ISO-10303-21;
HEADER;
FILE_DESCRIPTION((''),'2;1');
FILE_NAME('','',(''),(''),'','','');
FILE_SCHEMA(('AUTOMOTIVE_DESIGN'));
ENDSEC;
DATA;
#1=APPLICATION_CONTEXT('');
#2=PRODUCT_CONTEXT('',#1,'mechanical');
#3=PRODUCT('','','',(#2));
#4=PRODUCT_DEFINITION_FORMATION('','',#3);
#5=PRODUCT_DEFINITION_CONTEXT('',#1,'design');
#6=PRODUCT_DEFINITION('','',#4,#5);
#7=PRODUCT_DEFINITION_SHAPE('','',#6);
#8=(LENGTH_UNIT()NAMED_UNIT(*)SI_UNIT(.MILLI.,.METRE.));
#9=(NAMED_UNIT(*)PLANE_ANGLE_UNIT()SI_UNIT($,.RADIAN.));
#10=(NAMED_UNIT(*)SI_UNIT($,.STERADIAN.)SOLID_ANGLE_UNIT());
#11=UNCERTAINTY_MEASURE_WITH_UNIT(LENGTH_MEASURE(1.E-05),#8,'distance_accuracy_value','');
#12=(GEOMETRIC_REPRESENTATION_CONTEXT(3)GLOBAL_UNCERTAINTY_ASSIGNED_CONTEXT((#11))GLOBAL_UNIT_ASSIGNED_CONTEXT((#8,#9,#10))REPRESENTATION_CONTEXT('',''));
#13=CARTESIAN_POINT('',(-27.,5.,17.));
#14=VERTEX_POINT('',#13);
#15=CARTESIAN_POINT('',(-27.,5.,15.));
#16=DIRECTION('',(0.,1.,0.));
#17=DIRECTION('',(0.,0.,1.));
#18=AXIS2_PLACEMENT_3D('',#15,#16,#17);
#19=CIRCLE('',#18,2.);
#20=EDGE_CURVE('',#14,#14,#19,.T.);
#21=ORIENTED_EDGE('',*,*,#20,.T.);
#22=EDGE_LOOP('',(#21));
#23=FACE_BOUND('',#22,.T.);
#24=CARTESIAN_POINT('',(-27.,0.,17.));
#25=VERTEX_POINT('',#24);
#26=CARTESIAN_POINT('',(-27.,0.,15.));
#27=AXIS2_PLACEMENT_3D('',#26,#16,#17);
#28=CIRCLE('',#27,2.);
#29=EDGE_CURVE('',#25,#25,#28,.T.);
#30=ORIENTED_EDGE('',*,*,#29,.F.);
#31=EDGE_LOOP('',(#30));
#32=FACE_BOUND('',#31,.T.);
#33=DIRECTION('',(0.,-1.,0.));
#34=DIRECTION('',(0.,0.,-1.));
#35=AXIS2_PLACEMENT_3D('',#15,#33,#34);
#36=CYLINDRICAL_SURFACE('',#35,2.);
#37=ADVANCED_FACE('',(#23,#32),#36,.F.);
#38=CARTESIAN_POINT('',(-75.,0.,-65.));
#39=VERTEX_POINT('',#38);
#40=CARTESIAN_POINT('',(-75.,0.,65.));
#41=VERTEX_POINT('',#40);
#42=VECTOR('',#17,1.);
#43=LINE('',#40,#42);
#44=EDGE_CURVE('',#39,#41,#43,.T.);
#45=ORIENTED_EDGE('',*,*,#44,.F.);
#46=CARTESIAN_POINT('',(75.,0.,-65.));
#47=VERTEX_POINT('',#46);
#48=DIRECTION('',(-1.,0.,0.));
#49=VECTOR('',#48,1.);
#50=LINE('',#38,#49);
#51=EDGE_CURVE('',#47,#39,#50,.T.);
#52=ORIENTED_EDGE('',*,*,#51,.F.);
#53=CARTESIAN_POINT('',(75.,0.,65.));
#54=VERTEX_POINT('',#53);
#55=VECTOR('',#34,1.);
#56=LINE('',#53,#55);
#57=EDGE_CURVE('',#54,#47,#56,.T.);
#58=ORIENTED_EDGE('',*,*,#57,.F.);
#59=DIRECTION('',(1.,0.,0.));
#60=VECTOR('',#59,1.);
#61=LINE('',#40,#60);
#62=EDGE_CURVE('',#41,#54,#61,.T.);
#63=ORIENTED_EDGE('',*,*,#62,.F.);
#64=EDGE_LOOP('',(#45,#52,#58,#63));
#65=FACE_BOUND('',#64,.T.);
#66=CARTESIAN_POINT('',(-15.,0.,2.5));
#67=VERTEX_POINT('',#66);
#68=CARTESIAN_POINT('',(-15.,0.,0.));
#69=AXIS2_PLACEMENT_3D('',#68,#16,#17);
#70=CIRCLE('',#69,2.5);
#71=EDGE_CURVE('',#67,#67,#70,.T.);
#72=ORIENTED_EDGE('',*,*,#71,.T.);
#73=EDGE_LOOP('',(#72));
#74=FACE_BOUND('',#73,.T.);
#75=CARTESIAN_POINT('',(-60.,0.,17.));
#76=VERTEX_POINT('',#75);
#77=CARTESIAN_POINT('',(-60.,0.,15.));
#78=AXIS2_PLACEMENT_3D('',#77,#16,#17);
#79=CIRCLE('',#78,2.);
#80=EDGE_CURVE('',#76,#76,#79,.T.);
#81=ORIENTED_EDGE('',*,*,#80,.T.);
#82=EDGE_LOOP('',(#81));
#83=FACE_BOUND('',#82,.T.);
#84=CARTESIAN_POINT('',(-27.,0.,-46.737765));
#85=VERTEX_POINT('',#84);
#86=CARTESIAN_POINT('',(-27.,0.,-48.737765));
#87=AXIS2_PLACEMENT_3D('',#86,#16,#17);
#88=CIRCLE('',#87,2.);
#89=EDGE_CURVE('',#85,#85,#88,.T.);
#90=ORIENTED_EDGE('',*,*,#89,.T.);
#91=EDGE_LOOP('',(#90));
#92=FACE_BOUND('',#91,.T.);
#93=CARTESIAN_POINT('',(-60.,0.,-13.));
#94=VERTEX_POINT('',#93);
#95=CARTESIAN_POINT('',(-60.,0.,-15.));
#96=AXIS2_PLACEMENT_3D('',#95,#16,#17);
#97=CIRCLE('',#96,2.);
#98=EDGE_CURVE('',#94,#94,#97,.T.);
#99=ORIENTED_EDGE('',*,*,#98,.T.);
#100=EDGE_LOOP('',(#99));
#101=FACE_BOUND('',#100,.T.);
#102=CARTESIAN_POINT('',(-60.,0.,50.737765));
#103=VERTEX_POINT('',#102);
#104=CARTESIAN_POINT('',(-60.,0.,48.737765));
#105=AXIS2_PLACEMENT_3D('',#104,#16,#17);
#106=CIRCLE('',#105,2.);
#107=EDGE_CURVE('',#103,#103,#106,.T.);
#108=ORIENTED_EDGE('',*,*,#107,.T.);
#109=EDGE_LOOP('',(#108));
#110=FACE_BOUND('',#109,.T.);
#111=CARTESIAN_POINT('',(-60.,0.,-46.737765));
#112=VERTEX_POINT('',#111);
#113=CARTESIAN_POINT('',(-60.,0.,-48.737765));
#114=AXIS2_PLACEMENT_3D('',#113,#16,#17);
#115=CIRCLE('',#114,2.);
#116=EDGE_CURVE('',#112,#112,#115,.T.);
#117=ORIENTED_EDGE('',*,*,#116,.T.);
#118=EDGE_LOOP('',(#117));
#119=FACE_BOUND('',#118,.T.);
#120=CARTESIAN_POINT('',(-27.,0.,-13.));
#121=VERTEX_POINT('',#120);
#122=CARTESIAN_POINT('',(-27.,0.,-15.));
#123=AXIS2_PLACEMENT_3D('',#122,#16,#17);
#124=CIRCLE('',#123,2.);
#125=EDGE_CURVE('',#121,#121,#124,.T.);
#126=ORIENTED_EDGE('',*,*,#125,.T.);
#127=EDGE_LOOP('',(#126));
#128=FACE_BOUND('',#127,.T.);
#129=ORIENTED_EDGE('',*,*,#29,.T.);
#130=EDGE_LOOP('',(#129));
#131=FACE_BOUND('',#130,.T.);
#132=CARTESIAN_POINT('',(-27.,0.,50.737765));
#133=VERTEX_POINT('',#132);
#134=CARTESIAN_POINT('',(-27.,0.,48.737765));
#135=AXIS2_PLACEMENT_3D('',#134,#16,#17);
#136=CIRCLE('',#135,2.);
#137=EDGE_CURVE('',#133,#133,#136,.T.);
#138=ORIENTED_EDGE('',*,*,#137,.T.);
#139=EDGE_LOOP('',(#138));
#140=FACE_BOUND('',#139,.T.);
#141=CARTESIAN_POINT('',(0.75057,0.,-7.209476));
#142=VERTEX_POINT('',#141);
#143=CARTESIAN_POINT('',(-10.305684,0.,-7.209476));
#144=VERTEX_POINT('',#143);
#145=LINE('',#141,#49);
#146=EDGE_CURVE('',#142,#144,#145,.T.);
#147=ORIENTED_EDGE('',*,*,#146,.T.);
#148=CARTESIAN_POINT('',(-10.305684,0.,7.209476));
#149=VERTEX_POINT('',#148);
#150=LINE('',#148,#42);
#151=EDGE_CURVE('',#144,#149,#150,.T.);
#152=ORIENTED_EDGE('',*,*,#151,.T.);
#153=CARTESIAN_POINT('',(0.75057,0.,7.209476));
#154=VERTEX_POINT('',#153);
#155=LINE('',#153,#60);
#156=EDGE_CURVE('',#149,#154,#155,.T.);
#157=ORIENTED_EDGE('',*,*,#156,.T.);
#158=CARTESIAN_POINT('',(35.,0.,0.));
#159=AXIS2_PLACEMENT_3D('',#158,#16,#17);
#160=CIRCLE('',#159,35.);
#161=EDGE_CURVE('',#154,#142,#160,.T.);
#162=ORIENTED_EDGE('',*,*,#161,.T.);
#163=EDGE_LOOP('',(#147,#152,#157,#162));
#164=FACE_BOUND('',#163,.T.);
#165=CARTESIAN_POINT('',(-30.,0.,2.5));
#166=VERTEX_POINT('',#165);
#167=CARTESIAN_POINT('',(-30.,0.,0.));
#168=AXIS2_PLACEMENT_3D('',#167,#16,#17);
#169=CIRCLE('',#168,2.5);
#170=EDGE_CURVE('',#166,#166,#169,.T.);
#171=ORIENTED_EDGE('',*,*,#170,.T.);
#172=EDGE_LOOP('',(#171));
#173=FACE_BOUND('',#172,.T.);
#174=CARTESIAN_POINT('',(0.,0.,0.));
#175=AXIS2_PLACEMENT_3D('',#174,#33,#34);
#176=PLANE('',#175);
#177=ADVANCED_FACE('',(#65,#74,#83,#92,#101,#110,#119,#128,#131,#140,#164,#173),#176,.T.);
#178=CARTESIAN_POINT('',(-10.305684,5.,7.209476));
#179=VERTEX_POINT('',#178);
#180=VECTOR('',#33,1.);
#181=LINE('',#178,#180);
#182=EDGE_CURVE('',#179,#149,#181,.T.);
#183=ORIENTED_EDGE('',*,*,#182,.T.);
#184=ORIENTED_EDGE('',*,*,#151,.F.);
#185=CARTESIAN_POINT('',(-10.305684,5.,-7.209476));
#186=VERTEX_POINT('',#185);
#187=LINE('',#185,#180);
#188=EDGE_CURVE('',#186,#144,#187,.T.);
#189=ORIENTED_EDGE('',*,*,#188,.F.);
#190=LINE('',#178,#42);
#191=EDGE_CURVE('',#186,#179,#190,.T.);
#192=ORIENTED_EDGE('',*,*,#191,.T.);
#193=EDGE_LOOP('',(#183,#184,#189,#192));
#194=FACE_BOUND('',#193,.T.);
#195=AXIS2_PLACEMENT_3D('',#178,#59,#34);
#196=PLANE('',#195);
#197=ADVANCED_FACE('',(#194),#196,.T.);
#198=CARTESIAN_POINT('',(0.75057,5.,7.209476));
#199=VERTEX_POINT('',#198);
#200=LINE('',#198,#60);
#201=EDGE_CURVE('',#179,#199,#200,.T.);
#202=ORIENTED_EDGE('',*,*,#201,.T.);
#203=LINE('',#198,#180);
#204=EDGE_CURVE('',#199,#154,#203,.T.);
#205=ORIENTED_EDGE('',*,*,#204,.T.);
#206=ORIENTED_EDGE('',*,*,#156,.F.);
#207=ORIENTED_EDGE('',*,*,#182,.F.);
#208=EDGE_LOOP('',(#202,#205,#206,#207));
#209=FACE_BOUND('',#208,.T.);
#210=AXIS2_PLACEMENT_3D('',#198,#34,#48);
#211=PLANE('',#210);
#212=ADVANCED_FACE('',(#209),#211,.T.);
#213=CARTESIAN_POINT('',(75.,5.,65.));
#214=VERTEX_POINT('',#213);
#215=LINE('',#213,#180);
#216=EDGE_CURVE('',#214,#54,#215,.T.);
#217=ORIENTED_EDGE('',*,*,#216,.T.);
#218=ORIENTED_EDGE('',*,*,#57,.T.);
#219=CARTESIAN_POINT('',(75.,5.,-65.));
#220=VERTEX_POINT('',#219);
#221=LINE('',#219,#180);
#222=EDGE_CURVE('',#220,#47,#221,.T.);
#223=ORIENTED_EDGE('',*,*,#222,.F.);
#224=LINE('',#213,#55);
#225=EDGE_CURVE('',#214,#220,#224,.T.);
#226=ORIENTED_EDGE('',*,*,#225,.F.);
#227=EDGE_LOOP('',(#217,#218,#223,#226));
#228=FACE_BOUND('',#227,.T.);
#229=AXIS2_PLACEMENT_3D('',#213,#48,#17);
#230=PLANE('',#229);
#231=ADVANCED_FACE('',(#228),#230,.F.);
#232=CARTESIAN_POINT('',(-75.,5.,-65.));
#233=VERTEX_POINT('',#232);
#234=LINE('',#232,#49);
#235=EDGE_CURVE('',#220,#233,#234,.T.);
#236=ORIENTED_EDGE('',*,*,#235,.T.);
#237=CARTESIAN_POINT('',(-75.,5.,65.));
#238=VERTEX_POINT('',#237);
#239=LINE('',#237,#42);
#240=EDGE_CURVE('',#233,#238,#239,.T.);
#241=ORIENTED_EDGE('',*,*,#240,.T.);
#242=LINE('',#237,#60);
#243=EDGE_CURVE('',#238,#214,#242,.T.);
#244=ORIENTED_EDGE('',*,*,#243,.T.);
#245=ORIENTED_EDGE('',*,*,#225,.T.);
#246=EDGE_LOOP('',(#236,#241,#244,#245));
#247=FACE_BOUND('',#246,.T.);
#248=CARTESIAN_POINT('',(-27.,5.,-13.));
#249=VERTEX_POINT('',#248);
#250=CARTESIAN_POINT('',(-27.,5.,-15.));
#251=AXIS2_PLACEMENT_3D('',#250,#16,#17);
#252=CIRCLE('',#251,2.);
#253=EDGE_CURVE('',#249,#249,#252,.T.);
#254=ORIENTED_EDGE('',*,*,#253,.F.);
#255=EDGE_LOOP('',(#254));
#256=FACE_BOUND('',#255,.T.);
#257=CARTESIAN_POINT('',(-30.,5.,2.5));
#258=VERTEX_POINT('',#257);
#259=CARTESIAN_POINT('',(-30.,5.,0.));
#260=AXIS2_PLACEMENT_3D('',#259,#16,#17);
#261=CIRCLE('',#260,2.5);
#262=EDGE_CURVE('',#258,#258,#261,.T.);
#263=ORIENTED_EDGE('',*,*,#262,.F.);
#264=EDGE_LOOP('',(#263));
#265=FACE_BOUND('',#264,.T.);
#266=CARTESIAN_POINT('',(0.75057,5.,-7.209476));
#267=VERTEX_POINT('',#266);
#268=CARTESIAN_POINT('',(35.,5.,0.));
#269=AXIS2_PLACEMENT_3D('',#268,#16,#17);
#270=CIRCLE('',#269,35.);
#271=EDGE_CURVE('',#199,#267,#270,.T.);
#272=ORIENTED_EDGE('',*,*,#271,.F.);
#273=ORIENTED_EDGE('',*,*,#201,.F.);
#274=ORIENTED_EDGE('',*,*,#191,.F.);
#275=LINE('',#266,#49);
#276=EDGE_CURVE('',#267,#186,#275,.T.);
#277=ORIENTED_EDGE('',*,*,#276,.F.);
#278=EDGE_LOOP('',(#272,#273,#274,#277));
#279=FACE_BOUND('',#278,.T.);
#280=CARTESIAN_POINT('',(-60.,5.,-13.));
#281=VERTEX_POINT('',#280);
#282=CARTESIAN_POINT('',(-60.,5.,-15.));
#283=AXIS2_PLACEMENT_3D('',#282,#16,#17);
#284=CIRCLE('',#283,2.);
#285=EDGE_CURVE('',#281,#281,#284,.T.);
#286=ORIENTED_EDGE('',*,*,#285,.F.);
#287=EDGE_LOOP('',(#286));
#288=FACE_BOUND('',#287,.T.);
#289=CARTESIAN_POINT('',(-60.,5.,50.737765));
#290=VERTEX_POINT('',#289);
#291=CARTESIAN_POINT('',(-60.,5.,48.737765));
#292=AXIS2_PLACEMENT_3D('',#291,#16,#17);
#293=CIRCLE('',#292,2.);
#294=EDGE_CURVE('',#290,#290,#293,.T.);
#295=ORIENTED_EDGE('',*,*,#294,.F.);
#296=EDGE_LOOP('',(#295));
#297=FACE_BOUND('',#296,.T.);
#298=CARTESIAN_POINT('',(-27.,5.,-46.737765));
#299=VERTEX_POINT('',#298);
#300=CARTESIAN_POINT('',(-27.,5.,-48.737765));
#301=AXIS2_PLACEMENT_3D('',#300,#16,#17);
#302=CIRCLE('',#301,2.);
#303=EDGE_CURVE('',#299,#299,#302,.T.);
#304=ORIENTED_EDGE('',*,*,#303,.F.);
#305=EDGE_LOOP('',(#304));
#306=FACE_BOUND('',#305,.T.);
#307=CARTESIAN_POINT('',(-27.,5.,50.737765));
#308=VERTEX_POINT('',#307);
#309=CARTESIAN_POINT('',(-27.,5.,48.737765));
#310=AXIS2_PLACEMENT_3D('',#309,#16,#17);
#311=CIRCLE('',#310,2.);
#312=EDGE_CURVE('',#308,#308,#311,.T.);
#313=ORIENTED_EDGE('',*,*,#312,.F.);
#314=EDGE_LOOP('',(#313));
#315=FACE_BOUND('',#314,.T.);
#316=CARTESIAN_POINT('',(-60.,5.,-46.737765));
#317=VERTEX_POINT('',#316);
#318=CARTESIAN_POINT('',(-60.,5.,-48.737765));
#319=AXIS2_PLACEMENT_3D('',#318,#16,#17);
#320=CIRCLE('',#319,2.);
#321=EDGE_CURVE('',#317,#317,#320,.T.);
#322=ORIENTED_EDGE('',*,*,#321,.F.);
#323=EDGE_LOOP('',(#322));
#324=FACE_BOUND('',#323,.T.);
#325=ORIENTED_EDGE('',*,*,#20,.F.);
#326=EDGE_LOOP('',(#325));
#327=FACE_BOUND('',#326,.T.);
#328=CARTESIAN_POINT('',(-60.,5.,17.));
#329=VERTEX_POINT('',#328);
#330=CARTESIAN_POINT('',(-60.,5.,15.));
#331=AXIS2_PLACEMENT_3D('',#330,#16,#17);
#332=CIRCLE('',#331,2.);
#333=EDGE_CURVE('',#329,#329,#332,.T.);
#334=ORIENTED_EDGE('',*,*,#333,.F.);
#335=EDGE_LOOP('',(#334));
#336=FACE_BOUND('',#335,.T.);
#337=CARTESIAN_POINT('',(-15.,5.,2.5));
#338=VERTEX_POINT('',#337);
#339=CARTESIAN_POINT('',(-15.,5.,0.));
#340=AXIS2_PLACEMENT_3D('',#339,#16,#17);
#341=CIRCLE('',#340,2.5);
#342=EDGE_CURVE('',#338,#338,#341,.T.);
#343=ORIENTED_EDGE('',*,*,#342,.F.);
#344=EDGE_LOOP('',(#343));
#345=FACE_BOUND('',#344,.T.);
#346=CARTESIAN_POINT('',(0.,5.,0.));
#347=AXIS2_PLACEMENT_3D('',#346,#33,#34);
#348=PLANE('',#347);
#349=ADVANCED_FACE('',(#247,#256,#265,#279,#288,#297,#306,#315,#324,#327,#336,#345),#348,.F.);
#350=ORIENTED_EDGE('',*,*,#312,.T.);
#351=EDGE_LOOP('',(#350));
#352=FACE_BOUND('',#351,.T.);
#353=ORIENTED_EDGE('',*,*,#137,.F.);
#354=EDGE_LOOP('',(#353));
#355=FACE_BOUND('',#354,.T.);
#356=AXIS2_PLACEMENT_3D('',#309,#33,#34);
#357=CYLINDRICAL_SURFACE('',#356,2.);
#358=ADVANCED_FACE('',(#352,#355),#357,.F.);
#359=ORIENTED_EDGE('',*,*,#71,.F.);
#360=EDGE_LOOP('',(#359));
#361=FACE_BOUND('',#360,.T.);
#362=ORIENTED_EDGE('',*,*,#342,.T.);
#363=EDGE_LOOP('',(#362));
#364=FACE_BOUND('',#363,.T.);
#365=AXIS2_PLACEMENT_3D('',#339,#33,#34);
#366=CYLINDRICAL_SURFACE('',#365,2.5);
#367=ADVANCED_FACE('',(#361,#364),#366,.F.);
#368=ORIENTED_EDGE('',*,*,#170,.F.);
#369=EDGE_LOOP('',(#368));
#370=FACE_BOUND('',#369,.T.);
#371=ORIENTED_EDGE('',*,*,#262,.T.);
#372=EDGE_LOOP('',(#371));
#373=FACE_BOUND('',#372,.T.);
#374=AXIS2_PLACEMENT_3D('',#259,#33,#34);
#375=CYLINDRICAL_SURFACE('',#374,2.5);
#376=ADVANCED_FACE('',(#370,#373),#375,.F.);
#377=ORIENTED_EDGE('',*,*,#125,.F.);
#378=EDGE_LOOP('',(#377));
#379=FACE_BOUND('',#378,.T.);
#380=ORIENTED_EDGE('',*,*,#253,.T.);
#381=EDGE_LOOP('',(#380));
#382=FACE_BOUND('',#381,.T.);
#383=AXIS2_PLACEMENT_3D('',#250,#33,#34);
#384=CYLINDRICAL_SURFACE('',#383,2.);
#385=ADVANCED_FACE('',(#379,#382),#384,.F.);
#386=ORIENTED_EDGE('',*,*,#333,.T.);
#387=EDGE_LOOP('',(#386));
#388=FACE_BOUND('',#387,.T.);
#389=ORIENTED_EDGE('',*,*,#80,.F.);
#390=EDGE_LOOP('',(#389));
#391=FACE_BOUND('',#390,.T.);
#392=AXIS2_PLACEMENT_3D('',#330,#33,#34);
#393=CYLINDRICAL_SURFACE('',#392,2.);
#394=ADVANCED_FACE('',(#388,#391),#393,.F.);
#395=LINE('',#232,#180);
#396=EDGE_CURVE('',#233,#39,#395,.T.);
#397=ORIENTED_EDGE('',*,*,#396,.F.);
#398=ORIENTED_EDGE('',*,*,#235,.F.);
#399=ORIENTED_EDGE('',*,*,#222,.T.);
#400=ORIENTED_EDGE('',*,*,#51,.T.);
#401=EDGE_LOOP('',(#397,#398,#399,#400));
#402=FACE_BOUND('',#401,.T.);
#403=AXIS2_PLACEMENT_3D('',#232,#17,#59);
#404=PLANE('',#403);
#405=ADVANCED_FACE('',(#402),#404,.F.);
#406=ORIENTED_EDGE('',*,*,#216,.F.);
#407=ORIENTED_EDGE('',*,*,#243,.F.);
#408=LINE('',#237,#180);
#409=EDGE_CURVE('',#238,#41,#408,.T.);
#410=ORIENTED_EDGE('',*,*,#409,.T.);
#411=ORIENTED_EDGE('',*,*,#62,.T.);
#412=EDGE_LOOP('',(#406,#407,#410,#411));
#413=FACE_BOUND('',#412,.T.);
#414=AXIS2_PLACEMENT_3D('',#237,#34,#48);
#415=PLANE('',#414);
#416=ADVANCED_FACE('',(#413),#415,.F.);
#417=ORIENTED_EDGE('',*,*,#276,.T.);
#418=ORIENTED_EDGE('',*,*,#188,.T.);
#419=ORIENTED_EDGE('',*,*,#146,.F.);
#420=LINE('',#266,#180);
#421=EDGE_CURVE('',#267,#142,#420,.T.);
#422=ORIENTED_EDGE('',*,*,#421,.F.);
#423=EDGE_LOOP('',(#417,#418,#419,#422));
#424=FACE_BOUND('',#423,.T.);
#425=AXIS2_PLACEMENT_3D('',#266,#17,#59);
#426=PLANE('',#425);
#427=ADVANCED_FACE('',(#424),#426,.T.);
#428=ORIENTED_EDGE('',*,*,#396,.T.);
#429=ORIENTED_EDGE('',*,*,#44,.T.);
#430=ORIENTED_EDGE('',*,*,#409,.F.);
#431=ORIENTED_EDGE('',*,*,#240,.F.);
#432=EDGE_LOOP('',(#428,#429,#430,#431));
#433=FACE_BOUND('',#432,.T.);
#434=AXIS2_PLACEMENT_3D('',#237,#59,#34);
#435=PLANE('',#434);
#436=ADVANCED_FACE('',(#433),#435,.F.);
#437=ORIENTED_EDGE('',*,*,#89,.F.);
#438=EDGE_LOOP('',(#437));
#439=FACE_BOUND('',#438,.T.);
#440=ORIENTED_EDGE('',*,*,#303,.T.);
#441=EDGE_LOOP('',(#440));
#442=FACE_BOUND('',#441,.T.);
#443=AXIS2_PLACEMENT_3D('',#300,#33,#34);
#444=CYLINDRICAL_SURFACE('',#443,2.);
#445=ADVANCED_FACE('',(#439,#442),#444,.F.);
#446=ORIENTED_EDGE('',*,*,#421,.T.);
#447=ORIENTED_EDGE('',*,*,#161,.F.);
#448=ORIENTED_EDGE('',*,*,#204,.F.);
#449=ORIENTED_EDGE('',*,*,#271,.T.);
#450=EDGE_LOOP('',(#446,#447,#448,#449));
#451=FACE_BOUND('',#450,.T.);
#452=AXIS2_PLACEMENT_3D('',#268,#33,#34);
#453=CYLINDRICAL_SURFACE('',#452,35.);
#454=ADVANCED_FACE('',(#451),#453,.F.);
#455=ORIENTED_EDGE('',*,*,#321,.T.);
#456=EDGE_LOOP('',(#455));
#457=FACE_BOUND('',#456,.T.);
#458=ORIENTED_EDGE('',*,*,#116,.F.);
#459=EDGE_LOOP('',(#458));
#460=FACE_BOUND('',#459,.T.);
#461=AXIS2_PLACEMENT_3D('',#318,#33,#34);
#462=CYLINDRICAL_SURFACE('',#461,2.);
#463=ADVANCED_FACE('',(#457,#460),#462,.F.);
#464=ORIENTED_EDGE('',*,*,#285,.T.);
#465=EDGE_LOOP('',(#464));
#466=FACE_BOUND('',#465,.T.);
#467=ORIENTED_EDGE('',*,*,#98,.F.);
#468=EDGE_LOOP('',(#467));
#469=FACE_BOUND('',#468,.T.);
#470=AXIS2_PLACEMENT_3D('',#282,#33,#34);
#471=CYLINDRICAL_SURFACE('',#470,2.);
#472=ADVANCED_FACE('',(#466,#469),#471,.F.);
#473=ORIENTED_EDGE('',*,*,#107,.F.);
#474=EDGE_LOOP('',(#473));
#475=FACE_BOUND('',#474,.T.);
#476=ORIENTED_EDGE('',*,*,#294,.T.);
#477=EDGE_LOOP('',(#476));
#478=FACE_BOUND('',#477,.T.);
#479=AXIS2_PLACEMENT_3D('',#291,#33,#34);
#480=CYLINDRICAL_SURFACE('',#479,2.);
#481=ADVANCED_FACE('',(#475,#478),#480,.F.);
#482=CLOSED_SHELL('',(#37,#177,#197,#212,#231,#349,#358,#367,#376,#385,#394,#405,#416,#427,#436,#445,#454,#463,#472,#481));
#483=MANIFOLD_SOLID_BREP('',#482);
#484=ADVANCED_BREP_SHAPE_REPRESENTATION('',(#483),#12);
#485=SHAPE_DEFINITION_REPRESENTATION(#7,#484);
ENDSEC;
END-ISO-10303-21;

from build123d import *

# Parameters (mm, degrees)
SKETCH1_W           = 150
SKETCH1_H           = 130
SKETCH1_R           = 2.500000001
SKETCH1_R_2         = 2
BOSS_EXTRUDE1_DEPTH = 5


with BuildPart() as part:
    # Sketch1 → Boss-Extrude1 (new body)
    with BuildSketch(Plane(origin=(0, 0, 0), x_dir=(1, 0, 0), z_dir=(0, 1, 0))):
        Rectangle(SKETCH1_W, SKETCH1_H)
        with Locations(Location((-15.000000001, 0, 0), (0, 0, 270))):
            Circle(SKETCH1_R, mode=Mode.SUBTRACT)
        with Locations(Location((-30.000000001, 0, 0), (0, 0, 270))):
            Circle(SKETCH1_R, mode=Mode.SUBTRACT)
        with Locations(Location((-60, -15, 0), (0, 0, 270))):
            Circle(SKETCH1_R_2, mode=Mode.SUBTRACT)
        with Locations(Location((-60, -48.737765205, 0), (0, 0, 270))):
            Circle(SKETCH1_R_2, mode=Mode.SUBTRACT)
        with Locations(Location((-27, -48.737765205, 0), (0, 0, 270))):
            Circle(SKETCH1_R_2, mode=Mode.SUBTRACT)
        with Locations(Location((-27, -15, 0), (0, 0, 270))):
            Circle(SKETCH1_R_2, mode=Mode.SUBTRACT)
        with Locations(Location((-27, 15, 0), (0, 0, 270))):
            Circle(SKETCH1_R_2, mode=Mode.SUBTRACT)
        with Locations(Location((-60, 15, 0), (0, 0, 270))):
            Circle(SKETCH1_R_2, mode=Mode.SUBTRACT)
        with Locations(Location((-60, 48.737765205, 0), (0, 0, 270))):
            Circle(SKETCH1_R_2, mode=Mode.SUBTRACT)
        with Locations(Location((-27, 48.737765205, 0), (0, 0, 270))):
            Circle(SKETCH1_R_2, mode=Mode.SUBTRACT)
        with BuildLine():
            Line((0.750570036, -7.209476205), (-10.305683507, -7.209476205))
            Line((-10.305683507, -7.209476205), (-10.305683507, 7.209476205))
            Line((-10.305683507, 7.209476205), (0.750570036, 7.209476205))
            ThreePointArc((0.750570036, 7.209476205), (70, 0), (0.750570036, -7.209476205))
        make_face(mode=Mode.SUBTRACT)
    extrude(amount=BOSS_EXTRUDE1_DEPTH)


solid = part.part
